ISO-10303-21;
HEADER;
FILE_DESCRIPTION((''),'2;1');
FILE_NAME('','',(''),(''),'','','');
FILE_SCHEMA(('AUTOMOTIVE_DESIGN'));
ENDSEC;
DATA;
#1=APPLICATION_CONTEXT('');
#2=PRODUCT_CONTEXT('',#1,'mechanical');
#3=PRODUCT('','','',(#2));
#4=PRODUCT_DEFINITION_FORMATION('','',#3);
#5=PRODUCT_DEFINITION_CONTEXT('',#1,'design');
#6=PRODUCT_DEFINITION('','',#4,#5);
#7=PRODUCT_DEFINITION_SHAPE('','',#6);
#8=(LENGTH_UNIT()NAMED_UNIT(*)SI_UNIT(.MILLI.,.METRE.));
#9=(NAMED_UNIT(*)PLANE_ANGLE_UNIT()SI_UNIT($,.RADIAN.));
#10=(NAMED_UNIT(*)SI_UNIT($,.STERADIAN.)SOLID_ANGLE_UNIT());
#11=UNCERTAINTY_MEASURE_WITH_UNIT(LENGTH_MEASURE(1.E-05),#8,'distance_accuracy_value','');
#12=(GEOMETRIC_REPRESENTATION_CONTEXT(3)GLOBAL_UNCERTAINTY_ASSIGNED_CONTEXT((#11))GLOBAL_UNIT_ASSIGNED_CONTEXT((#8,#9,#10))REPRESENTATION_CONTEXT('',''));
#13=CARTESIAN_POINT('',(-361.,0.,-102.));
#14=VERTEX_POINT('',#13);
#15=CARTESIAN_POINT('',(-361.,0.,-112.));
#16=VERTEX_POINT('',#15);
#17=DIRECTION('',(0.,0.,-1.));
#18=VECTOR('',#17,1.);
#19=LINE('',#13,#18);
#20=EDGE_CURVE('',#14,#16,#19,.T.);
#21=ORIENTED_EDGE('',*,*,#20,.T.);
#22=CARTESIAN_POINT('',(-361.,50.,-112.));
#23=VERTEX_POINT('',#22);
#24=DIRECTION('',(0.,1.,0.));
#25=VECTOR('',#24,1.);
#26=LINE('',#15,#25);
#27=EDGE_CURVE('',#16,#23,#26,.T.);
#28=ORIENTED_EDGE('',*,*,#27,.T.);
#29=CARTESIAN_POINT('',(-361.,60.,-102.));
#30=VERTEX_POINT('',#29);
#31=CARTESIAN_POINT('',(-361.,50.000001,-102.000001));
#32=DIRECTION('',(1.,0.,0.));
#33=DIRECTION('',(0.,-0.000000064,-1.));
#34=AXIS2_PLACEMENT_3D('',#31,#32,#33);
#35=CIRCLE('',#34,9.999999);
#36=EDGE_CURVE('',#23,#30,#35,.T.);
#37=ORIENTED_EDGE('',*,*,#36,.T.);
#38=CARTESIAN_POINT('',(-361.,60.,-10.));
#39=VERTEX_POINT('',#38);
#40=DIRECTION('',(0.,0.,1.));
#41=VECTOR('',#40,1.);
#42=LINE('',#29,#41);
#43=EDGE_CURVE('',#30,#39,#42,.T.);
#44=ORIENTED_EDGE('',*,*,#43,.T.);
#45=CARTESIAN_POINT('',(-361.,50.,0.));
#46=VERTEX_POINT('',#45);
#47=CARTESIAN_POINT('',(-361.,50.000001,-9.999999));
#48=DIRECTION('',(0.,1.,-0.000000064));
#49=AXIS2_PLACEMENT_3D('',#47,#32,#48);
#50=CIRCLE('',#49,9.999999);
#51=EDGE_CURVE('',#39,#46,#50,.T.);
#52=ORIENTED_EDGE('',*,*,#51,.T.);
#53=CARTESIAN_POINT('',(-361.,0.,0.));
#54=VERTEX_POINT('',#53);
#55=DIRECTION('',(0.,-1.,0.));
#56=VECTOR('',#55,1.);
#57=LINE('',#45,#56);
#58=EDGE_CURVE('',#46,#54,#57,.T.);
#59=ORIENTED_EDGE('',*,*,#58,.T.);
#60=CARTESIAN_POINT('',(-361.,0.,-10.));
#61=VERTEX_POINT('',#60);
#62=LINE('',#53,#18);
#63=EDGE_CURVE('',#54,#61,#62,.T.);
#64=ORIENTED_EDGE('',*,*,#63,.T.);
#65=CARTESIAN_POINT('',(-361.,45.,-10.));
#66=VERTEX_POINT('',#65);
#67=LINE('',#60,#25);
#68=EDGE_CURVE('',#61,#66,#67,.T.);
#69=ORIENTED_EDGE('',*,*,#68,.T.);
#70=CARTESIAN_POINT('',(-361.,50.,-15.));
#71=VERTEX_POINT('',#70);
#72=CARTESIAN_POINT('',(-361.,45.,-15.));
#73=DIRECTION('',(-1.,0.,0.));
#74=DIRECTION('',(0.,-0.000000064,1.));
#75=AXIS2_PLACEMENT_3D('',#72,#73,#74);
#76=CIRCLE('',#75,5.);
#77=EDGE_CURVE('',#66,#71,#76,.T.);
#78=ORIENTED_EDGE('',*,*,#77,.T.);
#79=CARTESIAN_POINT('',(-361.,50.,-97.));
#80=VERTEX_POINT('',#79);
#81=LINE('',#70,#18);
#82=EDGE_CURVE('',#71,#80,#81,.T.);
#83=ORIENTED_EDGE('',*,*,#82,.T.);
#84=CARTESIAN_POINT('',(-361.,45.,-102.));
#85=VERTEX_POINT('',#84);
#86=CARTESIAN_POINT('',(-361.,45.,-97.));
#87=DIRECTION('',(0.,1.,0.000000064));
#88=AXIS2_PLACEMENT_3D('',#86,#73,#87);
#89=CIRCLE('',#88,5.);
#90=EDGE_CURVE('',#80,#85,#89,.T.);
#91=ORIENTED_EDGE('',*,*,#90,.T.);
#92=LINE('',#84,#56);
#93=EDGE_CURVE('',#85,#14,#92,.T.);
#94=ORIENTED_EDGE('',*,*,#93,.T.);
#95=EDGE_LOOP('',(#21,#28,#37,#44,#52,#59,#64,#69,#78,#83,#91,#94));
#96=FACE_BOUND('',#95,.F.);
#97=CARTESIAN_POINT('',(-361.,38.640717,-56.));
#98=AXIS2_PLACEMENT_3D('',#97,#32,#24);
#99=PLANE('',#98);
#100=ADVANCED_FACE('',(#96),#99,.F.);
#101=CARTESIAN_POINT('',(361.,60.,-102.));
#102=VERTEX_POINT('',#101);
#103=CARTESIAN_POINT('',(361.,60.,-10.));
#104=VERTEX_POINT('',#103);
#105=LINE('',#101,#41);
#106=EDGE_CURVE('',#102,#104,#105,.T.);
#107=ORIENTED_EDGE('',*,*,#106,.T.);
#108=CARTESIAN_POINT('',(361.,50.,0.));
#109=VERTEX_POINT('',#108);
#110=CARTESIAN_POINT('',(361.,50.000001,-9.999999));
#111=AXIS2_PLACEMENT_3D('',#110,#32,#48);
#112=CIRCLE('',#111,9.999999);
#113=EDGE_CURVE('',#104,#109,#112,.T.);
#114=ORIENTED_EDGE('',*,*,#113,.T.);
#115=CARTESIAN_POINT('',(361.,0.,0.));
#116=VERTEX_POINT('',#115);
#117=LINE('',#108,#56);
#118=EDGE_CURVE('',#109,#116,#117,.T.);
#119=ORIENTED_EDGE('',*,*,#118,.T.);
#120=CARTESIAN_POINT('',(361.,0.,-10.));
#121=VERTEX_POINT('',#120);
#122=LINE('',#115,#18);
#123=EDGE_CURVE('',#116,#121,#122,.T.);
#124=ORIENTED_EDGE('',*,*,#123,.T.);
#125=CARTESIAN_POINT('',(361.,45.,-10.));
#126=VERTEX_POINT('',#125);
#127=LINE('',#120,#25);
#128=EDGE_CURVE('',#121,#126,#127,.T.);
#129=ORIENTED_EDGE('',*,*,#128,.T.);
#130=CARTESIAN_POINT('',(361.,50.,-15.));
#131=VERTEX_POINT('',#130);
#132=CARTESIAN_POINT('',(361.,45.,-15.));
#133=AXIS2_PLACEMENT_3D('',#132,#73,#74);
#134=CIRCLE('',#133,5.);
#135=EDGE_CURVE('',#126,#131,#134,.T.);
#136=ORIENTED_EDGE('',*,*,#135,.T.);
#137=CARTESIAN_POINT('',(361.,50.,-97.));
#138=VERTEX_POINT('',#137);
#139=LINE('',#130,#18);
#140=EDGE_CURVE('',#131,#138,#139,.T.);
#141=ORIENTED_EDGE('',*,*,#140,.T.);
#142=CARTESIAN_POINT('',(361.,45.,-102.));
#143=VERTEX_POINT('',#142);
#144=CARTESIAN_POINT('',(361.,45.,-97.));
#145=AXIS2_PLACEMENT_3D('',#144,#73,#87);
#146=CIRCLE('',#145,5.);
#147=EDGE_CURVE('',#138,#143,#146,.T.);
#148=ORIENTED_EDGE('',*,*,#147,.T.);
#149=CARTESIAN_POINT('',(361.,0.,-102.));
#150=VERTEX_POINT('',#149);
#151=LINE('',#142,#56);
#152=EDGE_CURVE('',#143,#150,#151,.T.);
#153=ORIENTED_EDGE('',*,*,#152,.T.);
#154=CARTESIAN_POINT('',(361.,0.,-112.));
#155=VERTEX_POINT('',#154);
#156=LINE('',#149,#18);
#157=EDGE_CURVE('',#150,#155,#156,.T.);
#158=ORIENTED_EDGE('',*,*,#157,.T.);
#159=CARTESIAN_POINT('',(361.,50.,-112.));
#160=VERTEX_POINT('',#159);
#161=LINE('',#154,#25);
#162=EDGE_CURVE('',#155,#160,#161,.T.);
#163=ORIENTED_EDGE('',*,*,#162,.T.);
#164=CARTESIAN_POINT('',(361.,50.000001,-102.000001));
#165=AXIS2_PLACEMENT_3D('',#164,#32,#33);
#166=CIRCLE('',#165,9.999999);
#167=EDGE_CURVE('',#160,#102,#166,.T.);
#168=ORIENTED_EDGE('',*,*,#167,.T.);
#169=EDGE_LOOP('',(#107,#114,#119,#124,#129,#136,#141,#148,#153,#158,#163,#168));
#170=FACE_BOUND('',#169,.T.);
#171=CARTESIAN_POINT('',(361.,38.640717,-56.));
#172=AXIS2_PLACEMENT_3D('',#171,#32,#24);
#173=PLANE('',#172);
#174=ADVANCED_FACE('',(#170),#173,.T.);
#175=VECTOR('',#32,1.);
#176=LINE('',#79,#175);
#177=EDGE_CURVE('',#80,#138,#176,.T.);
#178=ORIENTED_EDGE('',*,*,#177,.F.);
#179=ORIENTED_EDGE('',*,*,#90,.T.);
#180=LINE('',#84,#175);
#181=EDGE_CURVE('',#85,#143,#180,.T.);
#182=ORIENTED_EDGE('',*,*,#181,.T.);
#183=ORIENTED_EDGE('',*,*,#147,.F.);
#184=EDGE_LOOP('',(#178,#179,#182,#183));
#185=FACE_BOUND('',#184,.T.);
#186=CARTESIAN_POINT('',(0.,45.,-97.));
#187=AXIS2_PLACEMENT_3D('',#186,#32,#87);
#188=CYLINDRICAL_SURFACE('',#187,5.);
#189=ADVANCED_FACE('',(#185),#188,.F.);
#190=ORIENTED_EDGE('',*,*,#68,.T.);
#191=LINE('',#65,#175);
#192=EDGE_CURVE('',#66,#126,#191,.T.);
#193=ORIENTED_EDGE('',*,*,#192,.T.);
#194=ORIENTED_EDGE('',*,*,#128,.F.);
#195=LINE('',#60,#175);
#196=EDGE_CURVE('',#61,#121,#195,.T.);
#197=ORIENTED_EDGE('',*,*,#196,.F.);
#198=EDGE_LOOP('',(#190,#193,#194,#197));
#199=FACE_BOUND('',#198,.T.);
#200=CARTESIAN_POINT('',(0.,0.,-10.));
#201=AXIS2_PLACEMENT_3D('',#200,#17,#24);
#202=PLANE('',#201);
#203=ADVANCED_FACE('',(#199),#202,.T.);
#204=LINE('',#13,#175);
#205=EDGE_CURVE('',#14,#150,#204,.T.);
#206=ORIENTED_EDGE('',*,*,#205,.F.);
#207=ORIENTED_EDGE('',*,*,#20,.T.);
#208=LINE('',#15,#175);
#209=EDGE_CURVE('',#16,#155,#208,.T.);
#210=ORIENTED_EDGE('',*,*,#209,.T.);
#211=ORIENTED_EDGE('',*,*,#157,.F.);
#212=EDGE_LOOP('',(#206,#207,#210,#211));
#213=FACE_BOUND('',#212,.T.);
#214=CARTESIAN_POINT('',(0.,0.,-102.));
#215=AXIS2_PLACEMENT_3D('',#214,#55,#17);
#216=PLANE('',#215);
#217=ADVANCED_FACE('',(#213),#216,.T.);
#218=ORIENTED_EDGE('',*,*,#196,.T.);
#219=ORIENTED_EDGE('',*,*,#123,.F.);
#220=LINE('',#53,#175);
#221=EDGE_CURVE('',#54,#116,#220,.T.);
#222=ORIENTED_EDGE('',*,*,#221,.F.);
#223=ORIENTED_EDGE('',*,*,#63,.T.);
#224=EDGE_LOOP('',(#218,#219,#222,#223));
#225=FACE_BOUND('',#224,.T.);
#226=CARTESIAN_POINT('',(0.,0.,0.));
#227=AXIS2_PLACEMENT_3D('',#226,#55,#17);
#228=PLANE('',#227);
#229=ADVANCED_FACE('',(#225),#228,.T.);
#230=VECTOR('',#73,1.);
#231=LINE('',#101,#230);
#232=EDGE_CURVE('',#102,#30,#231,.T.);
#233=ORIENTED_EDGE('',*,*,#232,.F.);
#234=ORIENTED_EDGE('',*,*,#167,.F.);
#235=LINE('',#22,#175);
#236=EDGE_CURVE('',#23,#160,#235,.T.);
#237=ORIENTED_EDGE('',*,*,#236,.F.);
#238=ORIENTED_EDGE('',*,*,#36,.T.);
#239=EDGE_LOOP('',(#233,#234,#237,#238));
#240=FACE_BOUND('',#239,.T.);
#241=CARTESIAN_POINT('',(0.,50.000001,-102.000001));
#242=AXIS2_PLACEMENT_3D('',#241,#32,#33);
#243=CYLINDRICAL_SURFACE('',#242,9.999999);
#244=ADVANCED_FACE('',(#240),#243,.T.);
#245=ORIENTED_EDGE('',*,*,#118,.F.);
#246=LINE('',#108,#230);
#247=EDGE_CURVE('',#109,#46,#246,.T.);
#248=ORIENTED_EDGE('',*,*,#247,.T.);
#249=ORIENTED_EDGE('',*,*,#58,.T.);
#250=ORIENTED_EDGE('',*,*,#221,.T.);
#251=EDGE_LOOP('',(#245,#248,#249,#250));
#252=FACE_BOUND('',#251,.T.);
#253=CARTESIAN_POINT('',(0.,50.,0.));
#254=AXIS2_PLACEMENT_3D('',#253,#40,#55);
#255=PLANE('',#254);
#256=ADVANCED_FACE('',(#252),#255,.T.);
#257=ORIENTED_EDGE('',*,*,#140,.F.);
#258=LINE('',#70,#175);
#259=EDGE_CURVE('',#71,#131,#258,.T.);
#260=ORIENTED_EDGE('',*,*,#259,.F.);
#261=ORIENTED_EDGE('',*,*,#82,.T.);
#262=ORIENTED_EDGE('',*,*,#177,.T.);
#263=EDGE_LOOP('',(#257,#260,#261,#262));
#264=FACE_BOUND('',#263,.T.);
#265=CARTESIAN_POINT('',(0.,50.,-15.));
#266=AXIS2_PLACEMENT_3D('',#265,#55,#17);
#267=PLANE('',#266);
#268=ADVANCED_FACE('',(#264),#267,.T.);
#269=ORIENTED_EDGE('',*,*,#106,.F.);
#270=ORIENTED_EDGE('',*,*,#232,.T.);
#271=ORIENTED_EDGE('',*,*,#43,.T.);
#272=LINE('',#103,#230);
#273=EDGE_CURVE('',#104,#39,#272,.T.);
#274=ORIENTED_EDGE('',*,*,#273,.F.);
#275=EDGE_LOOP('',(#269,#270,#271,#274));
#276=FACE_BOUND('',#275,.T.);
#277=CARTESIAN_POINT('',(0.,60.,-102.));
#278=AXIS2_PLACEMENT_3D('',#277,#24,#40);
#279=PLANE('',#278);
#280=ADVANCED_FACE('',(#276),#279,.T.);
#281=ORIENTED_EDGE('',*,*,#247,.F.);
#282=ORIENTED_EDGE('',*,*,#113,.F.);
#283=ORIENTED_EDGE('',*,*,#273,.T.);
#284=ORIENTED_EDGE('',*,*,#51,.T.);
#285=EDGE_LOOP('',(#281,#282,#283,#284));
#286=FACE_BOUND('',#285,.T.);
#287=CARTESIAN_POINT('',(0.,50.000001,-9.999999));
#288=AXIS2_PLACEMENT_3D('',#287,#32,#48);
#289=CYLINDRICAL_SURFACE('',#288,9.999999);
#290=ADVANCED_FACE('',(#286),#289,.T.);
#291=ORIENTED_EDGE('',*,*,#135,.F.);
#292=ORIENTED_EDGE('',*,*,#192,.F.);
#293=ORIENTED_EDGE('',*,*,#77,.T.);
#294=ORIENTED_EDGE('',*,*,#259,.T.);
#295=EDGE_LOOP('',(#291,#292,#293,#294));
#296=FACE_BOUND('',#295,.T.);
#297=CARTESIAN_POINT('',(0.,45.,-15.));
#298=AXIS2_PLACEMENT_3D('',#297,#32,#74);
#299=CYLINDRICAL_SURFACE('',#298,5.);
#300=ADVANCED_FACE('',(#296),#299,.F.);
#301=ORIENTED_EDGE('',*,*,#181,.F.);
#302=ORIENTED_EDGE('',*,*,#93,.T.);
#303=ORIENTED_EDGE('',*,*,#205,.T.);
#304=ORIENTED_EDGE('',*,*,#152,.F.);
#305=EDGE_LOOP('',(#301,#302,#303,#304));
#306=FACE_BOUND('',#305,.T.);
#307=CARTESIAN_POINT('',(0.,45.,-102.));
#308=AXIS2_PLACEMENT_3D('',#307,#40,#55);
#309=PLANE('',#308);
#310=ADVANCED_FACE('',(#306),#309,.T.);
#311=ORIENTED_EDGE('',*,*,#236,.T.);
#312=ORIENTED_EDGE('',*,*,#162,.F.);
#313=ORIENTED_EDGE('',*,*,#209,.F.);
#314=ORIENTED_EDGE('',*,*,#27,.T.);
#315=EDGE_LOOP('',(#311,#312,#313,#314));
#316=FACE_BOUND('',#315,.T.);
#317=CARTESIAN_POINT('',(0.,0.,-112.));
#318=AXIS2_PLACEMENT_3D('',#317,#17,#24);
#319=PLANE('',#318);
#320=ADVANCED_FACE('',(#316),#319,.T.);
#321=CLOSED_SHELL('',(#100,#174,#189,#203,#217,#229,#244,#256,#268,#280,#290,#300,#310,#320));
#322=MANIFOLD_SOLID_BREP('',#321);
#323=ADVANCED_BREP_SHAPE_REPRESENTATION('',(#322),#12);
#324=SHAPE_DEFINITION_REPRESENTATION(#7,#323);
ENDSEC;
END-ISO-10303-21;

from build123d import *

# Parameters (mm, degrees)
F1_DEPTH = 361


with BuildPart() as f1:
    # F0 (on Right) → F1 (new body, symmetric)
    with BuildSketch(Plane.YZ):
        with BuildLine():
            Line((50, 0), (0, 0))
            Line((0, 0), (0, -10))
            Line((0, -10), (45, -10))
            ThreePointArc((45, -10), (48.535534, -11.464466), (50, -15))
            Line((50, -15), (50, -97))
            ThreePointArc((50, -97), (48.535534, -100.535534), (45, -102))
            Line((45, -102), (0, -102))
            Line((0, -102), (0, -112))
            Line((0, -112), (50, -112))
            ThreePointArc((50, -112), (57.071068, -109.071068), (60, -102))
            Line((60, -102), (60, -10))
            ThreePointArc((60, -10), (57.071068, -2.928932), (50, 0))
        make_face()
    extrude(amount=F1_DEPTH, both=True)


solid = f1.part
